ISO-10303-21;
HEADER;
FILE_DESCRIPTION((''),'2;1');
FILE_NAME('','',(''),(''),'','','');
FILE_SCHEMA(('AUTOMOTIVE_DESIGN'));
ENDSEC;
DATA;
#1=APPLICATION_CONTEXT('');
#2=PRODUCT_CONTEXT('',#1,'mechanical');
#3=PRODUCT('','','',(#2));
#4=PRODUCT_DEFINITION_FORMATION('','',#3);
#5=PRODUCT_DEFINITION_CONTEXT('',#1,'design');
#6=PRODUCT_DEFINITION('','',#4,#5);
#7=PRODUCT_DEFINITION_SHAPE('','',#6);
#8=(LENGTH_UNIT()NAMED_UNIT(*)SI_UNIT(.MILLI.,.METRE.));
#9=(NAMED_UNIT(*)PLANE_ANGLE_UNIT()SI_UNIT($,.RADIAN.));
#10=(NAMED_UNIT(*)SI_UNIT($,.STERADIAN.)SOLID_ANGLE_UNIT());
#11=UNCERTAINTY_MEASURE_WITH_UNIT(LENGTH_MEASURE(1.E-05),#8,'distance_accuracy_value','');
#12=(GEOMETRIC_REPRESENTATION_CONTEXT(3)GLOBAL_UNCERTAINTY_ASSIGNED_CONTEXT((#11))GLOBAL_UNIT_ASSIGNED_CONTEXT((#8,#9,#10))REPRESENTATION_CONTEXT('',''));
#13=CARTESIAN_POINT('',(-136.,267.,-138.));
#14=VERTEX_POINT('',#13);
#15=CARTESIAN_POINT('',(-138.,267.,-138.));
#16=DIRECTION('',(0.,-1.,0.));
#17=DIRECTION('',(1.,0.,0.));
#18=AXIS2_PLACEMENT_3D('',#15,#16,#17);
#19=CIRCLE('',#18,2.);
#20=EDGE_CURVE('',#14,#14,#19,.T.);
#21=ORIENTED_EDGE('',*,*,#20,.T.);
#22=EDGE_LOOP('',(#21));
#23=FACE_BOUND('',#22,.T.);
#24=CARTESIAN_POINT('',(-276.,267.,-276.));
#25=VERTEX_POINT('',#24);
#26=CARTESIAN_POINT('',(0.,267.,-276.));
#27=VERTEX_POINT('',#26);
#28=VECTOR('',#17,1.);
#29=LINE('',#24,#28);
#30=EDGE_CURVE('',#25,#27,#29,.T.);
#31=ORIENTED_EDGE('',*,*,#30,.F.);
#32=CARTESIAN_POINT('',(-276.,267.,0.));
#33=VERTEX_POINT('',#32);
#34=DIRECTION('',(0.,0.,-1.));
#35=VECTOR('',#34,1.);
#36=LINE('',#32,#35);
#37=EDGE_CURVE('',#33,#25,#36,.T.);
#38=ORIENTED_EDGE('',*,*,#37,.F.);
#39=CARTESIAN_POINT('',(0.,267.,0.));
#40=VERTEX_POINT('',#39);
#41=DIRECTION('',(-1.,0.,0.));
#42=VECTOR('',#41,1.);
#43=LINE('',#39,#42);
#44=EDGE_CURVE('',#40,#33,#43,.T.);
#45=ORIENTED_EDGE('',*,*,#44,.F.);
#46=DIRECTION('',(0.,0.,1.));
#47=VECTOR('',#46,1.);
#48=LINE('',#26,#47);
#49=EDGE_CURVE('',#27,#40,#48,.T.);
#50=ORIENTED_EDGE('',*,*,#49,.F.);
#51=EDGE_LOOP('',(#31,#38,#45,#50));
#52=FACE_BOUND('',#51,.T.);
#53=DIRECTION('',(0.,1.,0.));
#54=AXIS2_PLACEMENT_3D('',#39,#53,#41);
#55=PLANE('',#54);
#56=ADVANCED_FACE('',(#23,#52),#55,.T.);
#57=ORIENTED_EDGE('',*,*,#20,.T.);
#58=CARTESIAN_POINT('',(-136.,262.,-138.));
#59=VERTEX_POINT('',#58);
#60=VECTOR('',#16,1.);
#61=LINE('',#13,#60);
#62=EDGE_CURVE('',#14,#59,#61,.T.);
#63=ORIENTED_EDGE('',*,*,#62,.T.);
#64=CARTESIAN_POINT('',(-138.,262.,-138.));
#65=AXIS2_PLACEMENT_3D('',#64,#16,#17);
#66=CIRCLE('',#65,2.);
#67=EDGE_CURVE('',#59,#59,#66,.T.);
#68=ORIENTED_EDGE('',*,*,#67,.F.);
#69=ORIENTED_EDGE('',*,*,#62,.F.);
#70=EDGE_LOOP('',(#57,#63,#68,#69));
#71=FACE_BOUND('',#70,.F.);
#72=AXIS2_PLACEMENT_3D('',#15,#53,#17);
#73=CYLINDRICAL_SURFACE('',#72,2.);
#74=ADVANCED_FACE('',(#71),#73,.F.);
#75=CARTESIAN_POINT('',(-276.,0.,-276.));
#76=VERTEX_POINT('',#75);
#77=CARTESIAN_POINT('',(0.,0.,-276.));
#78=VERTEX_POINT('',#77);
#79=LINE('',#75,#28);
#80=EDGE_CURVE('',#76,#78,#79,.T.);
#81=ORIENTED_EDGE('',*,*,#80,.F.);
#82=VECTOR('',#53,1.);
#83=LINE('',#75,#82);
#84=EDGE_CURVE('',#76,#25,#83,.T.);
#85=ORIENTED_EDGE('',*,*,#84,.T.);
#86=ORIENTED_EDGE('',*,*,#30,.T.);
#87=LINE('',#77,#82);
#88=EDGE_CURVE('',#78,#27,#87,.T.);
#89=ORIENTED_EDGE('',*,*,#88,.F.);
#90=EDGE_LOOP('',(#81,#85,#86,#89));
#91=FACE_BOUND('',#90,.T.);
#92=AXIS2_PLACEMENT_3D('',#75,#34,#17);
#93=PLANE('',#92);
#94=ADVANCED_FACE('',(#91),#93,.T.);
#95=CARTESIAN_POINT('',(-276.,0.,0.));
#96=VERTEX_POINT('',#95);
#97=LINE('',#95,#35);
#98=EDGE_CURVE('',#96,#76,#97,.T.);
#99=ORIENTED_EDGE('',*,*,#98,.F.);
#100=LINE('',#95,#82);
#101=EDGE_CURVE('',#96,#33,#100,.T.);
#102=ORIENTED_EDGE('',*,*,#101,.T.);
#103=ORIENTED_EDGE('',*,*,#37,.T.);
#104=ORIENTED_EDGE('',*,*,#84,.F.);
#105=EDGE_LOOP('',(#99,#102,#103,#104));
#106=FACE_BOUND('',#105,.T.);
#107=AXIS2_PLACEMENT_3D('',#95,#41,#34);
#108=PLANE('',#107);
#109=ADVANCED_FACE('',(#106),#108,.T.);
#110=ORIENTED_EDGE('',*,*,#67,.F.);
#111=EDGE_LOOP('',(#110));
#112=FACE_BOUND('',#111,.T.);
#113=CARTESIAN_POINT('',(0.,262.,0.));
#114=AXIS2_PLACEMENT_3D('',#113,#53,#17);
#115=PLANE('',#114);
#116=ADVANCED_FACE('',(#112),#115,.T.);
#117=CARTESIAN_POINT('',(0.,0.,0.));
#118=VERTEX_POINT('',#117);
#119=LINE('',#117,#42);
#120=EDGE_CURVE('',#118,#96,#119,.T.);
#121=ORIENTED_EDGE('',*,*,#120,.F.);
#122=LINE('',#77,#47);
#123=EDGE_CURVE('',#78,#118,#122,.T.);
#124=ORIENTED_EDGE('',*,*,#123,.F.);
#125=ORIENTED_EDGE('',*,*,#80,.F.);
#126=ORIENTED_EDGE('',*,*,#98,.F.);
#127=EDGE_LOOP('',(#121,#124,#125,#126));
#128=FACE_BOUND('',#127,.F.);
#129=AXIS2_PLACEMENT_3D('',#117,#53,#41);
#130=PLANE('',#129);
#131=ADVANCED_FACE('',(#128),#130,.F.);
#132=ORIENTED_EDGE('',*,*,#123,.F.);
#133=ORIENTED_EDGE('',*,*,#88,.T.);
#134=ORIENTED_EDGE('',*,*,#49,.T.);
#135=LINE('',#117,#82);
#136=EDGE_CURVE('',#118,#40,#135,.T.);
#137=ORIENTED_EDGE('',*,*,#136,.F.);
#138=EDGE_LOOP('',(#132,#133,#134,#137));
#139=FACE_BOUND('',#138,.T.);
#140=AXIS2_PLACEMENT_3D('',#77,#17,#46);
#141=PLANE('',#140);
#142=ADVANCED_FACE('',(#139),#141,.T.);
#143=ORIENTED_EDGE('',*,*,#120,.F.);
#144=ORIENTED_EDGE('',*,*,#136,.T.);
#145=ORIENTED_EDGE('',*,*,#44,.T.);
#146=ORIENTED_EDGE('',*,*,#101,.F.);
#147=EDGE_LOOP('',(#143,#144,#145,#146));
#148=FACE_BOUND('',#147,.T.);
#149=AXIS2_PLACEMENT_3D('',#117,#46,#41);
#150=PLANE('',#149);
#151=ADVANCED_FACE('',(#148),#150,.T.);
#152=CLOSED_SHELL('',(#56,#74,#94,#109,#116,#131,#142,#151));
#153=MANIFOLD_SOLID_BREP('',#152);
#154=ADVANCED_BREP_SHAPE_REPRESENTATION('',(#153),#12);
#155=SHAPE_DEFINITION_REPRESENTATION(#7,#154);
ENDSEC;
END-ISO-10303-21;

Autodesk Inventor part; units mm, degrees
ref_plane "YZ Plane" through (0, 0, 0) normal (1, 0, 0) x (0, 1, 0)
ref_plane "XZ Plane" through (0, 0, 0) normal (0, 1, 0) x (-1, 0, 0)
ref_plane "XY Plane" through (0, 0, 0) normal (0, 0, 1) x (1, 0, 0)
sketch "Sketch1" plane through (0, 0, 0) normal (0, 1, 0) x (-1, 0, 0)
  line L0 (0, 0) -> (276, 0)
  line L1 (276, 0) -> (276, -276)
  line L2 (276, -276) -> (0, -276)
  line L3 (0, -276) -> (0, 0)
  dimension "d0" = 276
  dimension "d1" = 276
extrude "Extrusion1" add sketch "Sketch1" along normal blind 267
sketch "Sketch2" plane through (0, 267, 0) normal (0, 1, 0) x (1, 0, 0)
  line L0 (-276, 276) -> (-276, 0) projected
  line L1 (-276, 138) -> (-138, 138)
  line L2 (0, 276) -> (-276, 276) projected
  circle A0 centre (-138, 138) radius 2
  point P0 (0, 0)
  dimension "d4" = 4
  dimension "d5" = 138
extrude "Extrusion2" cut sketch "Sketch2" against normal blind 5
properties part number "Workarea"
